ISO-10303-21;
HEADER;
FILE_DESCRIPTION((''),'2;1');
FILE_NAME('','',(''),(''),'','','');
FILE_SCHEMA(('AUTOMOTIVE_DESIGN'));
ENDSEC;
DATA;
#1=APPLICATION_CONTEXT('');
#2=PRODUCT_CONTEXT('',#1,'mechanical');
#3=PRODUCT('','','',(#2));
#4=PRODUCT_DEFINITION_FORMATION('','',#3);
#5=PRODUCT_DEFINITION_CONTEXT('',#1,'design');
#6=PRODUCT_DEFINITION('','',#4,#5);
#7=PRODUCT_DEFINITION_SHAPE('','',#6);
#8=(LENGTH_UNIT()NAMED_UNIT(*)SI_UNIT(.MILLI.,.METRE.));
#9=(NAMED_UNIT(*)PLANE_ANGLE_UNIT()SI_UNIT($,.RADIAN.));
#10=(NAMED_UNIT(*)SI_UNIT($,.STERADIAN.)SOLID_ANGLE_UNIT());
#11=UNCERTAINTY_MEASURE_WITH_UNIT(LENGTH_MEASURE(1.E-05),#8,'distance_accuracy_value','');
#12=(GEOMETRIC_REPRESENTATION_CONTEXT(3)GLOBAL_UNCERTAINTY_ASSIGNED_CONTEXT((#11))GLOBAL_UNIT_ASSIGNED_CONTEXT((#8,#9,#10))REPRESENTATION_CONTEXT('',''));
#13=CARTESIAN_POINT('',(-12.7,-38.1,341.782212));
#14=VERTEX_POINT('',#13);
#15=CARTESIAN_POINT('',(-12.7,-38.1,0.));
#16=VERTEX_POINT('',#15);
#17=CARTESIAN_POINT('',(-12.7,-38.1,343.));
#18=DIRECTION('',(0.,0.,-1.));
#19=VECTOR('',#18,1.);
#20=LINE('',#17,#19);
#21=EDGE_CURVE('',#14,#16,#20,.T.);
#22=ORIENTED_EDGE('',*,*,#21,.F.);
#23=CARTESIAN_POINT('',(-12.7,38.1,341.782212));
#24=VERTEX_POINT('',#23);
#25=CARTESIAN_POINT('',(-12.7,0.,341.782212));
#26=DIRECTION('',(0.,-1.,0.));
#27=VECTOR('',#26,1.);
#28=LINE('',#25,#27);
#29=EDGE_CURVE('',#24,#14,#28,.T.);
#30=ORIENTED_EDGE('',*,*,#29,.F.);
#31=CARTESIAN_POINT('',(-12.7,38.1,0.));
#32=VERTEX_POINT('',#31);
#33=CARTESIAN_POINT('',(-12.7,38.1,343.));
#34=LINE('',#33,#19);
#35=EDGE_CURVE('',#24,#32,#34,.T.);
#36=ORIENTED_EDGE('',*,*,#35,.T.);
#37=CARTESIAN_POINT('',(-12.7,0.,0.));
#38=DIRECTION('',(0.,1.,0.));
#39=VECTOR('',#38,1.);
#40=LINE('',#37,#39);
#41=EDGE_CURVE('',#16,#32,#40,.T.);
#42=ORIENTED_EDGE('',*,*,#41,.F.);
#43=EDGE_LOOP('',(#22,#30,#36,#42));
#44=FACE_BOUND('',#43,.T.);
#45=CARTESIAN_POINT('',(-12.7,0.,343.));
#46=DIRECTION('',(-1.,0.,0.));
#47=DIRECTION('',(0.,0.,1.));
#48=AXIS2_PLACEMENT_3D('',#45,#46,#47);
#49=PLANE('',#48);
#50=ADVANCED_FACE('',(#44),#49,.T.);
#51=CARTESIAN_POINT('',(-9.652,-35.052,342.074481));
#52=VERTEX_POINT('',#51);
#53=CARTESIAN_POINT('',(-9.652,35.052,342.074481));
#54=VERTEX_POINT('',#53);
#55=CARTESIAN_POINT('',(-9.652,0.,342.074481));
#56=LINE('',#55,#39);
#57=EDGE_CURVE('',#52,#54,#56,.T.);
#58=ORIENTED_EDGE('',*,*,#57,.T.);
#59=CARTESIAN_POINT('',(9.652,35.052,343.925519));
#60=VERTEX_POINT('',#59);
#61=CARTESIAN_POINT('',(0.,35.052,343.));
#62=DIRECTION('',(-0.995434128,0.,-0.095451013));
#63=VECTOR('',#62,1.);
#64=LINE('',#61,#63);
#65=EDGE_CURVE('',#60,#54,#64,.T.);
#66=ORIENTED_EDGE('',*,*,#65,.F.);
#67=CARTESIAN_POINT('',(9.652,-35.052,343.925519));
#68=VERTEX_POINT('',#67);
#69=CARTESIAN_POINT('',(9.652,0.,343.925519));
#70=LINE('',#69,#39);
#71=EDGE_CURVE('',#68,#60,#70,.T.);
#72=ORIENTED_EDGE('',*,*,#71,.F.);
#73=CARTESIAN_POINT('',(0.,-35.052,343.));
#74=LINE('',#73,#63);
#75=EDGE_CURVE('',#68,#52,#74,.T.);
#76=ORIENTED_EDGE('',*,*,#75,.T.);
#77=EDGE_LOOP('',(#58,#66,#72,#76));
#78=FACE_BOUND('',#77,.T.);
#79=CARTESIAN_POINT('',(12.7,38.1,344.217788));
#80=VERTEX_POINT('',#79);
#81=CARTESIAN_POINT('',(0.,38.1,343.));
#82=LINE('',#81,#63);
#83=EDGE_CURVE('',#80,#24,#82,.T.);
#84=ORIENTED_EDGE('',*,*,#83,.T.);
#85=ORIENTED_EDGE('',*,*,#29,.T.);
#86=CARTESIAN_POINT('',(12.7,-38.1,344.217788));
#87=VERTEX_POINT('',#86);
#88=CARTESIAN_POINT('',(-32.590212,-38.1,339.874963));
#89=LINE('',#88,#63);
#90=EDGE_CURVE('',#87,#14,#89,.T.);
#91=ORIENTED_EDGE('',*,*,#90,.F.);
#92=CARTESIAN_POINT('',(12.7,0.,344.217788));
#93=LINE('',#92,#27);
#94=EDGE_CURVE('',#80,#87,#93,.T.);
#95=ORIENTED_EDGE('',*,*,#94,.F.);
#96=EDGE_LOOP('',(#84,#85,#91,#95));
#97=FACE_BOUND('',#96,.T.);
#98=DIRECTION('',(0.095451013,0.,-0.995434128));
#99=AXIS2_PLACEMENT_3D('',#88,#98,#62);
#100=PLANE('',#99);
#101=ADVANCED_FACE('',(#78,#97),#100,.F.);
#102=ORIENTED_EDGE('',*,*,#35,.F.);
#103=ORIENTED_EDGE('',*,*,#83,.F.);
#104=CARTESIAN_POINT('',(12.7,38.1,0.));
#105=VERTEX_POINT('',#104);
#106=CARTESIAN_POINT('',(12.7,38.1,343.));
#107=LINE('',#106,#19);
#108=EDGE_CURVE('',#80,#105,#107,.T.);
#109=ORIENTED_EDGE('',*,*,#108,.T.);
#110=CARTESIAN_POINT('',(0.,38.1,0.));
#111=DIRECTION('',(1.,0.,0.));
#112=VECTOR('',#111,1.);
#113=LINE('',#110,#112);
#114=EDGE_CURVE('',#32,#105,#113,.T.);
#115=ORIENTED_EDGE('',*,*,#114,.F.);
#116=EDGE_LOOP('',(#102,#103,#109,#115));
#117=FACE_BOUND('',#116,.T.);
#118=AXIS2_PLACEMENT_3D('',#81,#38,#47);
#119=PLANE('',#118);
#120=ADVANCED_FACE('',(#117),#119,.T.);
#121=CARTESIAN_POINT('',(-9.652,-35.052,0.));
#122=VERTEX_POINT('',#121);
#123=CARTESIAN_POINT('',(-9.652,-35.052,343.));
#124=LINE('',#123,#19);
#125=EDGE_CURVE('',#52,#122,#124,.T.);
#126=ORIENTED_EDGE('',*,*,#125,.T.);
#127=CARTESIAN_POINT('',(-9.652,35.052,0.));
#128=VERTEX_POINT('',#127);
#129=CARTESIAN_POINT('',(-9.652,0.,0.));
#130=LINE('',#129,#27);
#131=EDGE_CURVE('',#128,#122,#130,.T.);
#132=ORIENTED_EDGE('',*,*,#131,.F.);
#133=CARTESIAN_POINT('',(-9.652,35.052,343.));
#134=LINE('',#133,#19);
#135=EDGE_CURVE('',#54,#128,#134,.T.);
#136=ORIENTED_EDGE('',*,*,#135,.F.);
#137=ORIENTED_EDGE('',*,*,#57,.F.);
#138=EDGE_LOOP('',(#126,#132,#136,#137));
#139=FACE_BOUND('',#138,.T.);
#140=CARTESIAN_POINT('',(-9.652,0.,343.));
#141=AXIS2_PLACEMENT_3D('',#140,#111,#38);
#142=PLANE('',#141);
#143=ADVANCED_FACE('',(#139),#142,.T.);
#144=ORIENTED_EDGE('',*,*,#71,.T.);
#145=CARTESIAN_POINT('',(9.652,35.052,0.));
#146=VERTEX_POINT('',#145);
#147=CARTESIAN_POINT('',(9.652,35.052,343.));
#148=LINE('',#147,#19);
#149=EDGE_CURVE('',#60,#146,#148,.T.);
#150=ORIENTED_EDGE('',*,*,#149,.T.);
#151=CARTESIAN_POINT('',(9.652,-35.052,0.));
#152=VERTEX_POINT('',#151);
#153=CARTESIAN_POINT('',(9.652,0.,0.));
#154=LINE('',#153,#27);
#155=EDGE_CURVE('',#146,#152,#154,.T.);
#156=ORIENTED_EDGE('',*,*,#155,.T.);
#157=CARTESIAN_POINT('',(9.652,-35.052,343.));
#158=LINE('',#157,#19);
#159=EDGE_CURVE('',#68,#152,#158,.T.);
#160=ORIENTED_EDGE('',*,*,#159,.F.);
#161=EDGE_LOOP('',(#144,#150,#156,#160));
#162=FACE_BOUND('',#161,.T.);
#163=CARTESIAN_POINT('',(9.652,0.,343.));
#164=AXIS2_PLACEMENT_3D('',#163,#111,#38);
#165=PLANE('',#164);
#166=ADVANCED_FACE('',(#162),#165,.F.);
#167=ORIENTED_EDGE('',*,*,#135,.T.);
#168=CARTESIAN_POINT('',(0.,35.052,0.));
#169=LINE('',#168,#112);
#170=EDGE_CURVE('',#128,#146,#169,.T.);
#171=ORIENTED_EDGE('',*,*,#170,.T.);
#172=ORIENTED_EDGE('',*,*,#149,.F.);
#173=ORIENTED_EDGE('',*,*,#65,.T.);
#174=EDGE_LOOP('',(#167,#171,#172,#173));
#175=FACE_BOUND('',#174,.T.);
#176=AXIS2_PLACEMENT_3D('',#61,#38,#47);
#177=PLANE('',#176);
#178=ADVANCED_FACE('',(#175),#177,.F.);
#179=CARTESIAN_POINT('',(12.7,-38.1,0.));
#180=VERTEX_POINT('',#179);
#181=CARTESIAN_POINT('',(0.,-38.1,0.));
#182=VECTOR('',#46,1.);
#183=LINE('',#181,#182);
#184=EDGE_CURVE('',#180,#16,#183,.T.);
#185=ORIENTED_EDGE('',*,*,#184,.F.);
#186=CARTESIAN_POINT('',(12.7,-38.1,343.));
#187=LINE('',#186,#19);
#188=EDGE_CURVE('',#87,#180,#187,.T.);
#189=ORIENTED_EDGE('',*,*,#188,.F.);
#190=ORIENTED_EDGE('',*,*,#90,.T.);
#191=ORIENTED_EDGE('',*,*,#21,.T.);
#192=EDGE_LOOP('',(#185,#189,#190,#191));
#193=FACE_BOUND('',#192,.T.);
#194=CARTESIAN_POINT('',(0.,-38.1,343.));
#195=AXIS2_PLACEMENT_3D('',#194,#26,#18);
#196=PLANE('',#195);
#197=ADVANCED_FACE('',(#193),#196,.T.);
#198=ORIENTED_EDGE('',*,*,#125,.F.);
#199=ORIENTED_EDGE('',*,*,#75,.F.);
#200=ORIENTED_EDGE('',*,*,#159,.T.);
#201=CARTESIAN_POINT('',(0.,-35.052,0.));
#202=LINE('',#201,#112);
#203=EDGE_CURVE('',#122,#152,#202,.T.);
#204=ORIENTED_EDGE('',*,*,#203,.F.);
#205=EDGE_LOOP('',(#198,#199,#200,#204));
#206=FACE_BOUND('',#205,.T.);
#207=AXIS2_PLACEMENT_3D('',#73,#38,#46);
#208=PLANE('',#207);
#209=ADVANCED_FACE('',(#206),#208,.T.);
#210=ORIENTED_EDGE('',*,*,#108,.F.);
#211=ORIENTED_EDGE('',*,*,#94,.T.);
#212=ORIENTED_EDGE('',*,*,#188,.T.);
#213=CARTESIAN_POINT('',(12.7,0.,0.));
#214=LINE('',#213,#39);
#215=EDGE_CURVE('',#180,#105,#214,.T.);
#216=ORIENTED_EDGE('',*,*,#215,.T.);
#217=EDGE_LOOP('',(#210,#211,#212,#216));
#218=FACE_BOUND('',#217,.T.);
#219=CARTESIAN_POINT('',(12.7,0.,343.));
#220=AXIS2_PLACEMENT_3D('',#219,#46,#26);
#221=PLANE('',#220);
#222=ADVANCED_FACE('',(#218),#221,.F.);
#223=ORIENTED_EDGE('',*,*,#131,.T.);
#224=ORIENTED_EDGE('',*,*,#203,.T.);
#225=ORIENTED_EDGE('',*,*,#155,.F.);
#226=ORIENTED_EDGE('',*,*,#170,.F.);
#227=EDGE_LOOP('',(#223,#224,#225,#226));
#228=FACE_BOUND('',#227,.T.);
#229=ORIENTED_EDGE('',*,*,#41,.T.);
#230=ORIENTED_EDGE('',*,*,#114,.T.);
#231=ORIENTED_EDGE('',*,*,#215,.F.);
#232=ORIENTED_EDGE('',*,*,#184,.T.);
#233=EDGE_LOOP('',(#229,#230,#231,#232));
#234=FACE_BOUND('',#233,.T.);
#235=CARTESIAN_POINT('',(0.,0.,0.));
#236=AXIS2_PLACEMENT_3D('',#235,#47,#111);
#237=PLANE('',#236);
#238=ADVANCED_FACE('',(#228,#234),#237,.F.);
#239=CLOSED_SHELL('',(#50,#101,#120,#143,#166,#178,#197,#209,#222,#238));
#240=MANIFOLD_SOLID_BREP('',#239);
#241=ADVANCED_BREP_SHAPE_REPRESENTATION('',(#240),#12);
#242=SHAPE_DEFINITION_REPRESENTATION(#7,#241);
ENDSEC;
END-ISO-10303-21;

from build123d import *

# Parameters (mm, degrees)
SKETCH2_W               = 9.652
SKETCH2_H               = 3.048
SKETCH2_W_2             = 3.048
SKETCH2_H_2             = 35.052
BOSS_EXTRUDE1_DEPTH     = 343
SKETCH3_W               = 25.4
SKETCH3_H               = 76.2
SKETCH3_W_2             = 19.304
SKETCH3_H_2             = 70.104
BOSS_EXTRUDE2_DEPTH     = 50
CUT_EXTRUDE1_DEPTH      = 1
CUT_EXTRUDE1_DEPTH_BACK = 77.2


with BuildPart() as part:
    # Sketch2 → Boss-Extrude1 (new body)
    with BuildSketch(Plane.XY):
        Polygon((-12.7, 0), (-9.652, 0), (-9.652, 35.052), (-9.652, 38.1), (-12.7, 38.1), align=None)
        with Locations((-4.826, 36.576)):
            Rectangle(SKETCH2_W, SKETCH2_H)
        Polygon((0, 38.1), (0, 35.052), (9.652, 35.052), (9.652, 0), (12.7, 0), (12.7, 38.1), align=None)
        with Locations((11.176, -17.526)):
            Rectangle(SKETCH2_W_2, SKETCH2_H_2)
        Polygon((-9.652, -35.052), (-9.652, 0), (-12.7, 0), (-12.7, -38.1), (0, -38.1), (0, -35.052), align=None)
        Polygon((9.652, -35.052), (0, -35.052), (0, -38.1), (12.7, -38.1), (12.7, -35.052), align=None)
    extrude(amount=BOSS_EXTRUDE1_DEPTH)

    # Sketch3 → Boss-Extrude2 (add)
    with BuildSketch(Plane.XY.offset(343)):
        Rectangle(SKETCH3_W, SKETCH3_H)
        Rectangle(SKETCH3_W_2, SKETCH3_H_2, mode=Mode.SUBTRACT)
    extrude(amount=BOSS_EXTRUDE2_DEPTH)

    # Sketch4 → Cut-Extrude1 (cut, two sides)
    with BuildSketch(Plane(origin=(0, 38.1, 0), x_dir=(1, 0, 0), z_dir=(0, 1, 0))) as cut_extrude1_sk:
        Polygon((89.351881, -403.747167587), (94.309709366, -352.043247646), (12.7, -383.524571297), (12.7, -393), (-12.7, -393), (-12.7, -341.782211865), (-94.309709366, -333.956752354), (-99.267537732, -385.660672296), align=None)
        Polygon((12.7, -383.524571297), (94.309709366, -352.043247646), (12.7, -344.217788135), align=None)
        Polygon((12.7, -383.524571297), (12.7, -344.217788135), (0, -343), (-9.501519639, -392.088910403), align=None)
        Polygon((12.7, -393), (12.7, -383.524571297), (-9.501519639, -392.088910403), (0, -343), (-12.7, -341.782211865), (-12.7, -393), align=None)
    extrude(amount=CUT_EXTRUDE1_DEPTH, mode=Mode.SUBTRACT)
    extrude(cut_extrude1_sk.sketch, amount=-CUT_EXTRUDE1_DEPTH_BACK, mode=Mode.SUBTRACT)


solid = part.part
